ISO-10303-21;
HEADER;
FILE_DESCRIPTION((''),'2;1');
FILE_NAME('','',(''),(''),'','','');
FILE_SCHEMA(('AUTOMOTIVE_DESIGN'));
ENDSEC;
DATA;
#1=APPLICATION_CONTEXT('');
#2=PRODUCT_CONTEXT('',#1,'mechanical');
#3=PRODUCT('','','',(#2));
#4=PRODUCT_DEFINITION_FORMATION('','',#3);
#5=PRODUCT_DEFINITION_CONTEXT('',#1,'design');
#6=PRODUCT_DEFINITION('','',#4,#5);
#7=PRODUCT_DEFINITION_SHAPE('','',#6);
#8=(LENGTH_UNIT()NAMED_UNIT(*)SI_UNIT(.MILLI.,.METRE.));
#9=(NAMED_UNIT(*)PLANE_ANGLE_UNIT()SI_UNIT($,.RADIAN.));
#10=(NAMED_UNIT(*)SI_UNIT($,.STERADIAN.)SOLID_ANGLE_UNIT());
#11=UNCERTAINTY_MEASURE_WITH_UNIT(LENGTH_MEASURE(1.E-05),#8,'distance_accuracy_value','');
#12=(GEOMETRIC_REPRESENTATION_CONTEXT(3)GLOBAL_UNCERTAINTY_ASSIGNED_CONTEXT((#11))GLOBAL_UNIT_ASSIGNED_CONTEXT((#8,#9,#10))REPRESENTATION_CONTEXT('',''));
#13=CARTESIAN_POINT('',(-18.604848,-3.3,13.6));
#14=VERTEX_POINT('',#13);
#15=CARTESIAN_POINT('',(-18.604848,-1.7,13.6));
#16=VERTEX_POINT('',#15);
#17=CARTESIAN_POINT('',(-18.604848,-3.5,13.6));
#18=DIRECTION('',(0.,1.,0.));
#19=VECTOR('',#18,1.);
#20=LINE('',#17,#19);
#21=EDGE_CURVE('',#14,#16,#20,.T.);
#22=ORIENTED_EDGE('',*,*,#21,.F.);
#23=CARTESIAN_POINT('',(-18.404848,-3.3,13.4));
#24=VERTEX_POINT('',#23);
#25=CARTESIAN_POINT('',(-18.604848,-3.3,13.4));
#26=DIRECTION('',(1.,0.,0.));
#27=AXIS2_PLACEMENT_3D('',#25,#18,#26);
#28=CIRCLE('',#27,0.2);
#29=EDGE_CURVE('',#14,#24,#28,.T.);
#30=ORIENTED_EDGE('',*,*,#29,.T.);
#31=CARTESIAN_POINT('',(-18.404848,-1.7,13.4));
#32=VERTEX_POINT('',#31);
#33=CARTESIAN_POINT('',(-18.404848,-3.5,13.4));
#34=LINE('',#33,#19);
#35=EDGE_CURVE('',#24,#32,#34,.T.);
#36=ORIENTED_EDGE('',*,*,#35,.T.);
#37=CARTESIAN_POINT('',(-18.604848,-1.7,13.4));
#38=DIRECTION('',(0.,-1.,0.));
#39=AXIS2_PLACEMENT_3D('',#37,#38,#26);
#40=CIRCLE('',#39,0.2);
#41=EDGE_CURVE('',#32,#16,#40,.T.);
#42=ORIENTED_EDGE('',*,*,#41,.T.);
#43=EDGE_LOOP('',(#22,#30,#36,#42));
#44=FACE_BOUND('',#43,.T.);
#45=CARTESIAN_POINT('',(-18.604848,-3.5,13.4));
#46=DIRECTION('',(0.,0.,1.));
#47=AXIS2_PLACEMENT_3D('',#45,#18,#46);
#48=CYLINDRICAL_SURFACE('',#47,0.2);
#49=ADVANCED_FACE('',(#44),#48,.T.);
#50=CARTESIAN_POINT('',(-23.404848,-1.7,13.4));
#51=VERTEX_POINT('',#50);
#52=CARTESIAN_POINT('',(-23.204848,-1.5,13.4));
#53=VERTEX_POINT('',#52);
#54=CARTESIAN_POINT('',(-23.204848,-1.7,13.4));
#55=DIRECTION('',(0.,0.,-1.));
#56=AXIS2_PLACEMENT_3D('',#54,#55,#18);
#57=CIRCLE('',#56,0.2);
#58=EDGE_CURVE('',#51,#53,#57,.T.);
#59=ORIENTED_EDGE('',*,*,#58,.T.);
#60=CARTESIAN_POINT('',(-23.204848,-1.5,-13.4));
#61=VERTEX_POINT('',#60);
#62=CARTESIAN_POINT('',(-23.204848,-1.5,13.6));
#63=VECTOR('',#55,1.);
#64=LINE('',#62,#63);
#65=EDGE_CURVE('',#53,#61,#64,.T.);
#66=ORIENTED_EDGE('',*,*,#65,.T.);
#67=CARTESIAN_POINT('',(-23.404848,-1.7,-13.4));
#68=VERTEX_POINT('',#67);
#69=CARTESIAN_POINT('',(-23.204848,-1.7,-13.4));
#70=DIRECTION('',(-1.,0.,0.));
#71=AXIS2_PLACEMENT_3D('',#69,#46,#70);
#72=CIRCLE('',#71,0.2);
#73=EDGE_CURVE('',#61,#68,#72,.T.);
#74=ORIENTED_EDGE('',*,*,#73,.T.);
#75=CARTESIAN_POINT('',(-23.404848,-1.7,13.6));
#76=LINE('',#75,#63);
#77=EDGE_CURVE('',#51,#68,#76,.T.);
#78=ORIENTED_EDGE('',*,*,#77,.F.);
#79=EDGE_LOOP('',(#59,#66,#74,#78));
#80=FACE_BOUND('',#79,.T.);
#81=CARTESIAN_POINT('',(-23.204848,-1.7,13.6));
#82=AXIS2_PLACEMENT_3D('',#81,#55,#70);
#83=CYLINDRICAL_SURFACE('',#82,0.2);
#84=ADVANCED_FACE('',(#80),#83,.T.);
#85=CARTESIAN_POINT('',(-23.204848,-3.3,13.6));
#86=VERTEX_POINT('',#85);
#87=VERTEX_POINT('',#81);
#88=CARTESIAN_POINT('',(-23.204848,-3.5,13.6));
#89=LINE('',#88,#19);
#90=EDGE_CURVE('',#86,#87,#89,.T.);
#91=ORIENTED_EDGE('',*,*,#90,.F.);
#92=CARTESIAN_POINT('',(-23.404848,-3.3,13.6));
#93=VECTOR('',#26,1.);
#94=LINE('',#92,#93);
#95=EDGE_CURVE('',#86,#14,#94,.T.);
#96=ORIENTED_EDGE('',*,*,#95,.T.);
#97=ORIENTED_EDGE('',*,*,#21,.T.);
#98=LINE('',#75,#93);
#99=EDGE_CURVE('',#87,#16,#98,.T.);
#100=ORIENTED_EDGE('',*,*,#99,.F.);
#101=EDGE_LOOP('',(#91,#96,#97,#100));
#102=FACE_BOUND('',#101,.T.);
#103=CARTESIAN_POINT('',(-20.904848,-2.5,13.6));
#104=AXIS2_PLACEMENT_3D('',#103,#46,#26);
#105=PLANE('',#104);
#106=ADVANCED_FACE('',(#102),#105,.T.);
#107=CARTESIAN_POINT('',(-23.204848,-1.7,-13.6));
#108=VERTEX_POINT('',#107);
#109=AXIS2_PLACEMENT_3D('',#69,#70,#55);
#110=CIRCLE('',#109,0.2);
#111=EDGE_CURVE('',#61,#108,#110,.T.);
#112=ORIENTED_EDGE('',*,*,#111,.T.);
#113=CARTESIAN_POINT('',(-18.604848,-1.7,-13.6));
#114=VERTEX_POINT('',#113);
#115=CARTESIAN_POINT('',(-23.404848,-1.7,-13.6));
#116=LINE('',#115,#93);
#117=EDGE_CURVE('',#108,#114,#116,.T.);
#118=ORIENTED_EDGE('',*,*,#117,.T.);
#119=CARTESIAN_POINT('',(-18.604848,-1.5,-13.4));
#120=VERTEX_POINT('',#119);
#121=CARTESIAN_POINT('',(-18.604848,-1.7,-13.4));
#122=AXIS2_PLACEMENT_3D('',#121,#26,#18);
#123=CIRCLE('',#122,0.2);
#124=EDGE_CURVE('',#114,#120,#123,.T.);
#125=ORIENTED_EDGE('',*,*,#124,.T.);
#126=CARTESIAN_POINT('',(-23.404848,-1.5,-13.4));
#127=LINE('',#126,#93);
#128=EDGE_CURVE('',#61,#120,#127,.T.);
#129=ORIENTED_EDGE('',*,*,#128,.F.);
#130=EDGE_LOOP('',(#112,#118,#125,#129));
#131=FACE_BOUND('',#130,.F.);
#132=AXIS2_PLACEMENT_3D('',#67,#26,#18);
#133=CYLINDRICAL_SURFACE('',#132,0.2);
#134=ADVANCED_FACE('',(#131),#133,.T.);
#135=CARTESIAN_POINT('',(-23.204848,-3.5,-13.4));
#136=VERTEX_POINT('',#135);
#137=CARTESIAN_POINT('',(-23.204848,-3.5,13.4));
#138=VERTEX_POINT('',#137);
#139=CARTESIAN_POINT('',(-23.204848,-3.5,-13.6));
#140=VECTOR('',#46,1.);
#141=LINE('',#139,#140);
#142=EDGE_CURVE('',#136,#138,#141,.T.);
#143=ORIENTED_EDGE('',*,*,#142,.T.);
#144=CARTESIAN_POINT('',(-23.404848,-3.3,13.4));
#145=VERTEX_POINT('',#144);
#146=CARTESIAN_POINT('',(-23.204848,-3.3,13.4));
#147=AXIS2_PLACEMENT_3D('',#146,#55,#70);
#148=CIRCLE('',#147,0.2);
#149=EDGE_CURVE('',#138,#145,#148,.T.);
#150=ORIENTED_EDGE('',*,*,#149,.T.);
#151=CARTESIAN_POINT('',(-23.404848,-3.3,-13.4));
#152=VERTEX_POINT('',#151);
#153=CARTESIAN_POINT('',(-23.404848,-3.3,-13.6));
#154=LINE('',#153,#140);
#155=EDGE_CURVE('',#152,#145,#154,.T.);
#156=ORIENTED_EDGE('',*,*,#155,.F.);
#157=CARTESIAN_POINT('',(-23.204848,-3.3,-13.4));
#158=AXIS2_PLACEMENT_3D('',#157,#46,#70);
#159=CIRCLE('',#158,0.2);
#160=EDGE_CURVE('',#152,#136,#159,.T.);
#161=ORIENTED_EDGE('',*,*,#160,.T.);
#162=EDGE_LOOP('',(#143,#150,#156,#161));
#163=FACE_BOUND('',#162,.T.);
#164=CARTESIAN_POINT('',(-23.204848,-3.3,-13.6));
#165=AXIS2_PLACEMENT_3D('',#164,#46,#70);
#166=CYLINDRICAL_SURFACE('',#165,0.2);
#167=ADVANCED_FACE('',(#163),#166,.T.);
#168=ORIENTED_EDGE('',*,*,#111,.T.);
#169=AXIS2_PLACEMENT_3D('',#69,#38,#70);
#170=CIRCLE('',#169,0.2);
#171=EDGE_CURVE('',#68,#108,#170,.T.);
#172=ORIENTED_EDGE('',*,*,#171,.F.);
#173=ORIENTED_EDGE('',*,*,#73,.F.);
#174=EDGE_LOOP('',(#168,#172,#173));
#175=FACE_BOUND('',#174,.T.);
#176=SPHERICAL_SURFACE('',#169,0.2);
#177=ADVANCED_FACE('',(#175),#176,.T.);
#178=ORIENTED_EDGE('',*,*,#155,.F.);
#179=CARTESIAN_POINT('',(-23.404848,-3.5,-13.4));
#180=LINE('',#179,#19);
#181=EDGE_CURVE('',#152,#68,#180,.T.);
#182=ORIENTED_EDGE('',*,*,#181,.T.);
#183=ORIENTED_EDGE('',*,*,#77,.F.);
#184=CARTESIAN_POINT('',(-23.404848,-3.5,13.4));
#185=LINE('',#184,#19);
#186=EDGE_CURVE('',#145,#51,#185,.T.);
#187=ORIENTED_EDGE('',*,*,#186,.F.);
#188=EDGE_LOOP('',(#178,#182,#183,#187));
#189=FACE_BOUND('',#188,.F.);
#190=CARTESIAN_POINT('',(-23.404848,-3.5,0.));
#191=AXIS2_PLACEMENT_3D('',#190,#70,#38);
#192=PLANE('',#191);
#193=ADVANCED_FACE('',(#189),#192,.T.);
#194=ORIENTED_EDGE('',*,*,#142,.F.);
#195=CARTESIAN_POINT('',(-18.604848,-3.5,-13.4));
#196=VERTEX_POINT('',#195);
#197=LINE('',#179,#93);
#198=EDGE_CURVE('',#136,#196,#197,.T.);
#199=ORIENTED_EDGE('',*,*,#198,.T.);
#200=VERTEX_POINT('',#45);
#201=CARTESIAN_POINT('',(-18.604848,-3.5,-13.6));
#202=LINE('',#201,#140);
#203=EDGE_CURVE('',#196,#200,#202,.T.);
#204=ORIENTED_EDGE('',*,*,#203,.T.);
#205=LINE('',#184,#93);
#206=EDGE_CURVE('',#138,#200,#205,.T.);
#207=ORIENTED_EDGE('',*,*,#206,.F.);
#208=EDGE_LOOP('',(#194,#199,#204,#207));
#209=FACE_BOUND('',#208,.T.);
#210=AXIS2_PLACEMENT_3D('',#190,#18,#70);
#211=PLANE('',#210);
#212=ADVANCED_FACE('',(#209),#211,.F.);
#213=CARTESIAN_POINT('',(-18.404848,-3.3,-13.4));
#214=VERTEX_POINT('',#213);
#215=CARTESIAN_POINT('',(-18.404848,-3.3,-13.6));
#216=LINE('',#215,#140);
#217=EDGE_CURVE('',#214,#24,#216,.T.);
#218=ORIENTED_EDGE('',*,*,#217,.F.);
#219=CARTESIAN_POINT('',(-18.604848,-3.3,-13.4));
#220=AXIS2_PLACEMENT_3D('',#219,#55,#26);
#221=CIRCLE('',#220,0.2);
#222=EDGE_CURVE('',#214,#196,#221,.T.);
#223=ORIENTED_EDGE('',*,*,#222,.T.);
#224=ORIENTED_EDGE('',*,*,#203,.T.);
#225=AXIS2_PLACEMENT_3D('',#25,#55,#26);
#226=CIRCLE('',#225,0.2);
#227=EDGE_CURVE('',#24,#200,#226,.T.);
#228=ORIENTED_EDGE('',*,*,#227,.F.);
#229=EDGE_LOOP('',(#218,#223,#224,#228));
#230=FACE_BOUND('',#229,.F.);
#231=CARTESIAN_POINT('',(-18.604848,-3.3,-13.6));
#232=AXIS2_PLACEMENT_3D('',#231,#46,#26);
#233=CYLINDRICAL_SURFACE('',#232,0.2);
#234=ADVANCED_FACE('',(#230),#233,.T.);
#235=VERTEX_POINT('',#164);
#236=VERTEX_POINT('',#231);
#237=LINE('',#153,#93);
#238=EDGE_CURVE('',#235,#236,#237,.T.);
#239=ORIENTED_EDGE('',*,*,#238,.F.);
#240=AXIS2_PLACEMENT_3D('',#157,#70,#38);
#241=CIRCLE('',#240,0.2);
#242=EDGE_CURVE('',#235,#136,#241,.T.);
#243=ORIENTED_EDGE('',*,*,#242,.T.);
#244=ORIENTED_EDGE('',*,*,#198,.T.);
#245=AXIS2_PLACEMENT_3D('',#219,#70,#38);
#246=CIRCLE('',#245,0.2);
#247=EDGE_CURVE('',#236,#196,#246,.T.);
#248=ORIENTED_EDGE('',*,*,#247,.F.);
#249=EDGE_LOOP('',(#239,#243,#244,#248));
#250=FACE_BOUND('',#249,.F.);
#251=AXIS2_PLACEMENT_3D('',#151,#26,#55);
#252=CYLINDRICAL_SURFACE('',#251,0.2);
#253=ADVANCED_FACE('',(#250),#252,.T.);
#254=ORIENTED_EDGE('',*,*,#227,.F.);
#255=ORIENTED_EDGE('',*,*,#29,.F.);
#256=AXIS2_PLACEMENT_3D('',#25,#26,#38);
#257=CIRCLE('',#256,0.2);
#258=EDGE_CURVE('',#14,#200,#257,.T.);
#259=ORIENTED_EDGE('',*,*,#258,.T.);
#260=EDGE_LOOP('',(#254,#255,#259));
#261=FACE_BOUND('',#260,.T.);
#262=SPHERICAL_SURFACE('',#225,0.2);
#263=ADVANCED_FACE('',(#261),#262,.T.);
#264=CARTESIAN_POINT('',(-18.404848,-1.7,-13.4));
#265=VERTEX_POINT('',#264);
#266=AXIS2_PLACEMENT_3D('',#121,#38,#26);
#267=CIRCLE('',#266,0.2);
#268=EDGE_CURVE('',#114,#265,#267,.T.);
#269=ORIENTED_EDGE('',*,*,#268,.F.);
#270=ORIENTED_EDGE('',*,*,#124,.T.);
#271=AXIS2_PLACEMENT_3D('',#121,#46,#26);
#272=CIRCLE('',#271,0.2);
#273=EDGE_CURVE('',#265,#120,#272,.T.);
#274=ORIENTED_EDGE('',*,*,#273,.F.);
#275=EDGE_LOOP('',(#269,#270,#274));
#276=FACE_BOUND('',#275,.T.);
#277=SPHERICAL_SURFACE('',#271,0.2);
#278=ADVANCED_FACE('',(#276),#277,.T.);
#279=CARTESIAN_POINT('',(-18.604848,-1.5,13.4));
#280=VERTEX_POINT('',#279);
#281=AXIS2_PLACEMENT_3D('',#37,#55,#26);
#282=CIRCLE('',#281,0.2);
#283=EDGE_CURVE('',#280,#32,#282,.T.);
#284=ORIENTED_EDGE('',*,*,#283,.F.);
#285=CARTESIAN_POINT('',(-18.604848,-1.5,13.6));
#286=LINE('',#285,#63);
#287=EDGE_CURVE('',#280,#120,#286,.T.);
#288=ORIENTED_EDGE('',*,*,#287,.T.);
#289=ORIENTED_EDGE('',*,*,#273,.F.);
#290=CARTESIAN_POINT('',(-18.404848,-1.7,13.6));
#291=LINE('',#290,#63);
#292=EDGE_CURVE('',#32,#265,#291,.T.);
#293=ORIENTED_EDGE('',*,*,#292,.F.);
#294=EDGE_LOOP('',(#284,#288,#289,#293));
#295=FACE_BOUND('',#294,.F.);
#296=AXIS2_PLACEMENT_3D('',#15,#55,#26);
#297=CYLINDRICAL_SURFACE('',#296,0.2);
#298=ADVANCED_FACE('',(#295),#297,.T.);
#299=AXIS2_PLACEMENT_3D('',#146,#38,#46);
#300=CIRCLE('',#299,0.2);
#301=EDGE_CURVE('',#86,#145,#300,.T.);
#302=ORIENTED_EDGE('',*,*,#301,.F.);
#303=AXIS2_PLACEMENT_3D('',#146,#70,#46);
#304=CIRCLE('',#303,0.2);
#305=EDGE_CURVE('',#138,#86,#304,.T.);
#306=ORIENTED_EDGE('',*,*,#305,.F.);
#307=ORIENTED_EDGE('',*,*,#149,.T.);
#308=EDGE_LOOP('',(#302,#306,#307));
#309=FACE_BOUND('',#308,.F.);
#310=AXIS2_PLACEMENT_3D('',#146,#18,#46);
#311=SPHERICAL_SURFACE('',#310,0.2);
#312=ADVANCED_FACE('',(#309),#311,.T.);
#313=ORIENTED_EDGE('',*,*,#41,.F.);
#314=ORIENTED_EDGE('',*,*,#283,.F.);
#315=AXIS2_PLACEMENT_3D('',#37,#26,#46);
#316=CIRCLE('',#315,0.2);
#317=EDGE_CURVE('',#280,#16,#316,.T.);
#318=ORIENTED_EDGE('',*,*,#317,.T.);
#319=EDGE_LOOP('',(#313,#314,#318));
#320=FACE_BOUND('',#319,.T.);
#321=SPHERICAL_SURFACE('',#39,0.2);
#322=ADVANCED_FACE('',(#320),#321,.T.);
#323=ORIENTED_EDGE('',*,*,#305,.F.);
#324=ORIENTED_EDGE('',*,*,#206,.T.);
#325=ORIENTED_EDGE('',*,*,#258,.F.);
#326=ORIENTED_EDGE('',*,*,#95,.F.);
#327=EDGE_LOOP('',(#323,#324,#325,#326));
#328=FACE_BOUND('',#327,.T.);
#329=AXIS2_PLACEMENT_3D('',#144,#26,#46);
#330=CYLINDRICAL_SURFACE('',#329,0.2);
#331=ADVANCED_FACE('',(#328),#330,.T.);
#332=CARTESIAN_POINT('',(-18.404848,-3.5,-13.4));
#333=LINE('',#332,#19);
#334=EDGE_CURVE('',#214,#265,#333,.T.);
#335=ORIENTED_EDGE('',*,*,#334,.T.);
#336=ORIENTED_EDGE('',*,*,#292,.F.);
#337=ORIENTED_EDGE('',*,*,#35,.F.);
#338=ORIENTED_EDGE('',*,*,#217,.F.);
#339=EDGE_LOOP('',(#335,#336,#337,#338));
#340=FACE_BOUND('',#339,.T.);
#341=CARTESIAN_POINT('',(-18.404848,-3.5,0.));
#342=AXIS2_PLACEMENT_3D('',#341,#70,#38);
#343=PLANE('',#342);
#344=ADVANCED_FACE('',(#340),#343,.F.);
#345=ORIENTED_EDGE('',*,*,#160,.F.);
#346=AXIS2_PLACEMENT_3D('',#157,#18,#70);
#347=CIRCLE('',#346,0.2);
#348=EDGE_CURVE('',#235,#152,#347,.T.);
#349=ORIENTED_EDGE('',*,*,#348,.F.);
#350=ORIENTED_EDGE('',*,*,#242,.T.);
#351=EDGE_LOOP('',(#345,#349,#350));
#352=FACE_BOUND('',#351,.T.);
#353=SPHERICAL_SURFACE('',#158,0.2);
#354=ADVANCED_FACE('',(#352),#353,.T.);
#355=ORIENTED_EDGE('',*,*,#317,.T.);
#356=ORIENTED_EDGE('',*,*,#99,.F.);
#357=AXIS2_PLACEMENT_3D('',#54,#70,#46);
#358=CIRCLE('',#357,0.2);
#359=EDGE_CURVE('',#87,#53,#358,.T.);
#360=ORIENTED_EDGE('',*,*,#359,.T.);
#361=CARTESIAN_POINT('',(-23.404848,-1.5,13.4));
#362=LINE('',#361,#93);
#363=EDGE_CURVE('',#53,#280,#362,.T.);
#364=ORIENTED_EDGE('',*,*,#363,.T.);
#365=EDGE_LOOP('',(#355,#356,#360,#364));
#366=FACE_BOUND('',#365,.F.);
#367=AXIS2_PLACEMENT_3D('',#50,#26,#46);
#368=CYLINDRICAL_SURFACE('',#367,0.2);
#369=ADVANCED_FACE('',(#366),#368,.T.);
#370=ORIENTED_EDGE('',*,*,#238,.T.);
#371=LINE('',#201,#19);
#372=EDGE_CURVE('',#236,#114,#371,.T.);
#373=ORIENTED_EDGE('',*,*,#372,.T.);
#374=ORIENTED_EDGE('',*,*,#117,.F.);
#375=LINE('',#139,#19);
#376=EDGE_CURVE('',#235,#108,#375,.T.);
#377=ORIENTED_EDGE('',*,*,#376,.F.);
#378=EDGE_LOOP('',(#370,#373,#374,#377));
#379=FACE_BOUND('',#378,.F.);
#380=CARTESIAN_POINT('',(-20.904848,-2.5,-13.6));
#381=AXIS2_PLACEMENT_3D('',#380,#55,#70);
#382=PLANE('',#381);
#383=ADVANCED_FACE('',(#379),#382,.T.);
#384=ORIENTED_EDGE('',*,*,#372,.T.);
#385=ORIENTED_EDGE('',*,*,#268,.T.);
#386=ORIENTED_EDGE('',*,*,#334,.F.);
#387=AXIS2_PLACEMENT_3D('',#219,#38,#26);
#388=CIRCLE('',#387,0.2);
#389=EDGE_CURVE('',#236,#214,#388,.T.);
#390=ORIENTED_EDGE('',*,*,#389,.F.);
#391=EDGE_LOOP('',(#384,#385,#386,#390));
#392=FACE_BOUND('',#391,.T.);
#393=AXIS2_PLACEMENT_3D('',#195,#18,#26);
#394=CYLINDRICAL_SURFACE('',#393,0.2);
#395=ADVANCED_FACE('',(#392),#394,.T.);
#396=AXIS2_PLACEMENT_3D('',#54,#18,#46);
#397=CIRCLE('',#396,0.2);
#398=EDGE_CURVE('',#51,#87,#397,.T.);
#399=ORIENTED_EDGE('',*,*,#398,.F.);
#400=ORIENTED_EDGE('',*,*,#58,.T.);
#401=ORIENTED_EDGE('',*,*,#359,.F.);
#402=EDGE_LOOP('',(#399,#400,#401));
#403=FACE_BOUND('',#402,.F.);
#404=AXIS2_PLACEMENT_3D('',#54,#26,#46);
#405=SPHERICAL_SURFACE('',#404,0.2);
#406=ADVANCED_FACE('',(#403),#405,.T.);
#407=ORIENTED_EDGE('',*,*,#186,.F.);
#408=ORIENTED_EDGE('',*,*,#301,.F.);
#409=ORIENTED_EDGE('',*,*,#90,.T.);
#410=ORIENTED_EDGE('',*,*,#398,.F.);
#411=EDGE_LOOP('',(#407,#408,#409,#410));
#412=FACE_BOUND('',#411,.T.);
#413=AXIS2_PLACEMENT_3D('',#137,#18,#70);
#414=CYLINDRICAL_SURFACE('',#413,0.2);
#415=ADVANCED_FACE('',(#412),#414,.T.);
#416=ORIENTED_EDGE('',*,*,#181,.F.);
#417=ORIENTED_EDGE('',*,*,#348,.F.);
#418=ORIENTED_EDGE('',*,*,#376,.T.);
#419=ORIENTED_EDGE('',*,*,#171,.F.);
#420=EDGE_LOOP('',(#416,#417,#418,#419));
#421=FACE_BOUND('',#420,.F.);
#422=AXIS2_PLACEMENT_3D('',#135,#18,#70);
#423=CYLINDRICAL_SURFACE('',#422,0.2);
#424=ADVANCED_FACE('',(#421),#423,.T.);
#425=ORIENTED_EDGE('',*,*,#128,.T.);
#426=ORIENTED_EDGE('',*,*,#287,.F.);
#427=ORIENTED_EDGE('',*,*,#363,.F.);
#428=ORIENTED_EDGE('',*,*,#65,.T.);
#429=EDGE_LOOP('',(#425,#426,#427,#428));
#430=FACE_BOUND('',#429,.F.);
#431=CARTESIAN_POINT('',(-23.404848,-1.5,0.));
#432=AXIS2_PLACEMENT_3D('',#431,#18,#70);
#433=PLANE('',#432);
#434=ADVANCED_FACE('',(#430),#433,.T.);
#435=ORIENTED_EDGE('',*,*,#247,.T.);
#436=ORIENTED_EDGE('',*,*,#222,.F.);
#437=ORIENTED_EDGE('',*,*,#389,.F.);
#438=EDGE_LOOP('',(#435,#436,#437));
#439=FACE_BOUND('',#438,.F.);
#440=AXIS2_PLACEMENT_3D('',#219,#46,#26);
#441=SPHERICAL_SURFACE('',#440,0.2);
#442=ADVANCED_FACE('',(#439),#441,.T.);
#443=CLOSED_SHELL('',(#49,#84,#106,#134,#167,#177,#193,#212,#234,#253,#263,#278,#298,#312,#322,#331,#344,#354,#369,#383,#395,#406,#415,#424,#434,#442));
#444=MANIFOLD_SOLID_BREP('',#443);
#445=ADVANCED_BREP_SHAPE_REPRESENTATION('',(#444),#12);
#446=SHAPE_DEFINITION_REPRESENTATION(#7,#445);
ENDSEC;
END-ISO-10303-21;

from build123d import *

# Parameters (mm, degrees)
F1_W     = 5
F1_H     = 2
F2_DEPTH = 13.6
F4_R     = 0.2


with BuildPart() as f2:
    # F1 (on Top) → F2 (new body)
    with BuildSketch(Plane.XY):
        with Locations((-20.9048481555, -2.5)):
            Rectangle(F1_W, F1_H)
    extrude(amount=F2_DEPTH)

    # F3: F2 across plane


with BuildPart() as f2_1:
    add(f2.part)
    add(f2.part.mirror(Plane.XY))

    # F4
    f4_edges = [f2_1.edges().sort_by_distance(p)[0] for p in [
        (-18.404848, -3.5, 0),
        (-18.404848, -2.5, 13.6),
        (-18.404848, -1.5, 0),
        (-18.404848, -2.5, -13.6),
        (-20.904848, -1.5, 13.6),
        (-23.404848, -2.5, 13.6),
        (-20.904848, -3.5, 13.6),
        (-23.404848, -3.5, 0),
        (-23.404848, -2.5, -13.6),
        (-23.404848, -1.5, 0),
        (-20.904848, -1.5, -13.6),
        (-20.904848, -3.5, -13.6),
    ]]
    fillet(f4_edges, radius=F4_R)


solid = f2_1.part
